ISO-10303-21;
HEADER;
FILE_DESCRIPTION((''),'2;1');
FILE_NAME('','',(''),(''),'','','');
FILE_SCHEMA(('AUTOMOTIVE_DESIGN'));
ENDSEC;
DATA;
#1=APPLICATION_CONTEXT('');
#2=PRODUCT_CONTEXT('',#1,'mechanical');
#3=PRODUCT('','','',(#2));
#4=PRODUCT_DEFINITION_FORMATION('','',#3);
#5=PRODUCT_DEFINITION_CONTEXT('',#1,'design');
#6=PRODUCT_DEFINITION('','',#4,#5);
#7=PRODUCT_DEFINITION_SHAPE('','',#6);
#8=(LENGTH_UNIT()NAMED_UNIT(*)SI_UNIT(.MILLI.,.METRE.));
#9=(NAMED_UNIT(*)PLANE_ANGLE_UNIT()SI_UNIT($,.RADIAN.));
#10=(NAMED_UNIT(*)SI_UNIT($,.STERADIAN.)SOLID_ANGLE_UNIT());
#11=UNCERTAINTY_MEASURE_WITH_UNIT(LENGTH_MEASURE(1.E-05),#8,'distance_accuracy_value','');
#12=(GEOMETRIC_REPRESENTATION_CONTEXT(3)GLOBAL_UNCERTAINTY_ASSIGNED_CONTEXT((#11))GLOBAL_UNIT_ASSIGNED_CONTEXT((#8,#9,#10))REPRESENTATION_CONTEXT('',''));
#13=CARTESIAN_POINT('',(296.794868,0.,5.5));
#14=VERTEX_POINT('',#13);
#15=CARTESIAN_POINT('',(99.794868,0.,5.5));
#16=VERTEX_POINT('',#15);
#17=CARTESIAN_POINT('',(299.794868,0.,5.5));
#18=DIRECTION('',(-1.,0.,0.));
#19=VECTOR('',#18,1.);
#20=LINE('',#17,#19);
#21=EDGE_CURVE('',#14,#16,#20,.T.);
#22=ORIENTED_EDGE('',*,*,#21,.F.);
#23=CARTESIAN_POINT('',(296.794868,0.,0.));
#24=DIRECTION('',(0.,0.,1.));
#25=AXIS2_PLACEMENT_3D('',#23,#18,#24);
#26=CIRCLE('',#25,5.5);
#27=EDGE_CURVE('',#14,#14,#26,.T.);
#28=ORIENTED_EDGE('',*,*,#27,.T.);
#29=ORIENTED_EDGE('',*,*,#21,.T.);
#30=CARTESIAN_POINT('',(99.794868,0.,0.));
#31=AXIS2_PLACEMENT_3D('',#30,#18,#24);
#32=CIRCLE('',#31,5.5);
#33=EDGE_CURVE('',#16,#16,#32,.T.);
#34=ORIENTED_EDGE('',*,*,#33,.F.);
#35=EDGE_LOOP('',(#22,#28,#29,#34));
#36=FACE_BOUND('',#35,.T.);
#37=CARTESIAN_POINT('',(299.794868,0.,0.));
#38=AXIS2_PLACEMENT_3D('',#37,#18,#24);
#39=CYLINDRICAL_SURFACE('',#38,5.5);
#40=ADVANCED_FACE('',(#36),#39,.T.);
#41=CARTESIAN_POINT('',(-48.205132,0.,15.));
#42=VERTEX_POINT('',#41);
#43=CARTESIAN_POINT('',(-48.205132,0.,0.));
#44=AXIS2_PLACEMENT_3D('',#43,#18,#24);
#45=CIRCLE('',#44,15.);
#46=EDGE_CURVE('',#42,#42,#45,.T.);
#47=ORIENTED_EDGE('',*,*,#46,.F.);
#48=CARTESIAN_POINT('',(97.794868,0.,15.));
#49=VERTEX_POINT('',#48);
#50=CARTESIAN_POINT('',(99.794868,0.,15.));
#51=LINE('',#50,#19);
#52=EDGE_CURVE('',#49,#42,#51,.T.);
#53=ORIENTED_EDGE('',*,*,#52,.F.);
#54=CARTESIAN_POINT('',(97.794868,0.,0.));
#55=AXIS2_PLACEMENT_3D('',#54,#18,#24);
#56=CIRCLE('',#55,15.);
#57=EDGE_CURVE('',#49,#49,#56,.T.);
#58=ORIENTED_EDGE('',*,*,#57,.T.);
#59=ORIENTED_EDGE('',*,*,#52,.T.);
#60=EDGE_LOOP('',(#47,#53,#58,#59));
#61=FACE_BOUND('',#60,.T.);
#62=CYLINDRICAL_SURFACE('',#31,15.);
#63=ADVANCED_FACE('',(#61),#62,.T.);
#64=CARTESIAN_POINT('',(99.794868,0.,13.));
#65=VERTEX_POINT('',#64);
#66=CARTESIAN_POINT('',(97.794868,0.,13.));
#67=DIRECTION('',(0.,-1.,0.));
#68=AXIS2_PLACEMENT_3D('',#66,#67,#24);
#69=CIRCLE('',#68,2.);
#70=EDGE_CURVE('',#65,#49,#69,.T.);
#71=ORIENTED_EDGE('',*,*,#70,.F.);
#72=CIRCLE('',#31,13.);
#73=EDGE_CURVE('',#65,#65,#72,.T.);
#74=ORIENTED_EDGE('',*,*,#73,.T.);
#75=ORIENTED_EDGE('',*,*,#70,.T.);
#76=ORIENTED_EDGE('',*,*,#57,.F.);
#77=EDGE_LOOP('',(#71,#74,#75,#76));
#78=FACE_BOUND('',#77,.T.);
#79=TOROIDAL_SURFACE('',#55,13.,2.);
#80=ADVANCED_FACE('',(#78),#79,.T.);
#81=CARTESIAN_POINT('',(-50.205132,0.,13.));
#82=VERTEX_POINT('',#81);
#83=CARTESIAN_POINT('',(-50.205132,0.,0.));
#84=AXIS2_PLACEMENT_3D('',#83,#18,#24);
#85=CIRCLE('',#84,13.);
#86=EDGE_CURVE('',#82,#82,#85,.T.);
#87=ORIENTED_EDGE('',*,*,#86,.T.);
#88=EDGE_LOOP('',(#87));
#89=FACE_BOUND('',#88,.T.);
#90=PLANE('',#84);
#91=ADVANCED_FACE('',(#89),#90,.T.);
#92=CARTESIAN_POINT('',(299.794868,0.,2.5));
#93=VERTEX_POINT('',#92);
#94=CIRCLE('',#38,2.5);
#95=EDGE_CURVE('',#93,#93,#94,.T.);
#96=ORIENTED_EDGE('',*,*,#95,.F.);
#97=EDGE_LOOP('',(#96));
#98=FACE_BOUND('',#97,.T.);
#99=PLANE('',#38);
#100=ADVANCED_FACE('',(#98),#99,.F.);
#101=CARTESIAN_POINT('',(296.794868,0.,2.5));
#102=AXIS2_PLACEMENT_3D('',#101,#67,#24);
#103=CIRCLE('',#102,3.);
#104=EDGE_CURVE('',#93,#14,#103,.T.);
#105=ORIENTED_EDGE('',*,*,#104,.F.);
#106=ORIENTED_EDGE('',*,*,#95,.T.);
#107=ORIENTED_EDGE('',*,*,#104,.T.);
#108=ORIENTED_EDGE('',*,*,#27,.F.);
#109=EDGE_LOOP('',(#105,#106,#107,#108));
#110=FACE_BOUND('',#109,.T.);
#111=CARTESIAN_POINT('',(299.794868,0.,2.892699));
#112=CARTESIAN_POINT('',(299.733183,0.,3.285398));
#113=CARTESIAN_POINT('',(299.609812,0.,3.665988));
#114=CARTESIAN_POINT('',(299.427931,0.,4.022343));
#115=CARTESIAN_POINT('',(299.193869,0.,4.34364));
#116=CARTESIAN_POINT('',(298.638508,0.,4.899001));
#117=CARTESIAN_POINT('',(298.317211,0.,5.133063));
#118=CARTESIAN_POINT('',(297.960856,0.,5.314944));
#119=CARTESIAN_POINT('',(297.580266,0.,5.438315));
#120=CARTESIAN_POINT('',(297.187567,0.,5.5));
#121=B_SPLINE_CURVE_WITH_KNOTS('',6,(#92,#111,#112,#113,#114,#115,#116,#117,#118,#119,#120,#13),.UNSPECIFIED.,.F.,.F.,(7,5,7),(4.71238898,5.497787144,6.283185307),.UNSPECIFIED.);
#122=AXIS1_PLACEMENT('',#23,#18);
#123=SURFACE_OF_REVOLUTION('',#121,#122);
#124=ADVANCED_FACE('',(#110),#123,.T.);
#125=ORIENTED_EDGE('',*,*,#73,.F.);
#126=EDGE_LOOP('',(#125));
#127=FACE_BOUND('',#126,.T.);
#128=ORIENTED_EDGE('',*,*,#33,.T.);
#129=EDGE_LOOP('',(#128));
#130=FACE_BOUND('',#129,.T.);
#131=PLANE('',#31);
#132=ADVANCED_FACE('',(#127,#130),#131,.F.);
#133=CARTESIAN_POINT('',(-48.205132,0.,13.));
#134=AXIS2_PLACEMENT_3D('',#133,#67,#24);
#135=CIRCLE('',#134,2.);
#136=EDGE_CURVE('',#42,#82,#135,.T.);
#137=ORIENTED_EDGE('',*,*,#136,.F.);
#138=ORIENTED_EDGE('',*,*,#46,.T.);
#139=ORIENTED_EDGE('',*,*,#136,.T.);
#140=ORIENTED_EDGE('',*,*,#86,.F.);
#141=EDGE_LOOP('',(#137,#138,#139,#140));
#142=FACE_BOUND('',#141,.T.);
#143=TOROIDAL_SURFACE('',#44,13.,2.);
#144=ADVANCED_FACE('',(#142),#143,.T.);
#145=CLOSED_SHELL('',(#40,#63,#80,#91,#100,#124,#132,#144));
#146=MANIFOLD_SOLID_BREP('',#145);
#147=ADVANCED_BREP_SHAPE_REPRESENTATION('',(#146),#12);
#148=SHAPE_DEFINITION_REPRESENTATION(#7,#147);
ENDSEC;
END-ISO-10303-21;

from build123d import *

# Parameters (mm, degrees)
F2_R = 3
F3_R = 2


with BuildPart() as f1:
    # F0 (on Front) → F1 (revolve)
    with BuildSketch(Plane.XZ):
        Polygon((-50.205132, 15), (-50.205132, 0), (299.794868, 0), (299.794868, 5.5), (99.794868, 5.5), (99.794868, 15), align=None)
    revolve(axis=Axis((124.794868, 0, 0), (-1, 0, 0)))

    # F2
    f2_edges = [f1.edges().sort_by_distance(p)[0] for p in [
        (299.794868, 0, -5.5),
    ]]
    fillet(f2_edges, radius=F2_R)

    # F3
    f3_edges = [f1.edges().sort_by_distance(p)[0] for p in [
        (99.794868, 0, -15),
        (-50.205132, 0, -15),
    ]]
    fillet(f3_edges, radius=F3_R)


solid = f1.part
